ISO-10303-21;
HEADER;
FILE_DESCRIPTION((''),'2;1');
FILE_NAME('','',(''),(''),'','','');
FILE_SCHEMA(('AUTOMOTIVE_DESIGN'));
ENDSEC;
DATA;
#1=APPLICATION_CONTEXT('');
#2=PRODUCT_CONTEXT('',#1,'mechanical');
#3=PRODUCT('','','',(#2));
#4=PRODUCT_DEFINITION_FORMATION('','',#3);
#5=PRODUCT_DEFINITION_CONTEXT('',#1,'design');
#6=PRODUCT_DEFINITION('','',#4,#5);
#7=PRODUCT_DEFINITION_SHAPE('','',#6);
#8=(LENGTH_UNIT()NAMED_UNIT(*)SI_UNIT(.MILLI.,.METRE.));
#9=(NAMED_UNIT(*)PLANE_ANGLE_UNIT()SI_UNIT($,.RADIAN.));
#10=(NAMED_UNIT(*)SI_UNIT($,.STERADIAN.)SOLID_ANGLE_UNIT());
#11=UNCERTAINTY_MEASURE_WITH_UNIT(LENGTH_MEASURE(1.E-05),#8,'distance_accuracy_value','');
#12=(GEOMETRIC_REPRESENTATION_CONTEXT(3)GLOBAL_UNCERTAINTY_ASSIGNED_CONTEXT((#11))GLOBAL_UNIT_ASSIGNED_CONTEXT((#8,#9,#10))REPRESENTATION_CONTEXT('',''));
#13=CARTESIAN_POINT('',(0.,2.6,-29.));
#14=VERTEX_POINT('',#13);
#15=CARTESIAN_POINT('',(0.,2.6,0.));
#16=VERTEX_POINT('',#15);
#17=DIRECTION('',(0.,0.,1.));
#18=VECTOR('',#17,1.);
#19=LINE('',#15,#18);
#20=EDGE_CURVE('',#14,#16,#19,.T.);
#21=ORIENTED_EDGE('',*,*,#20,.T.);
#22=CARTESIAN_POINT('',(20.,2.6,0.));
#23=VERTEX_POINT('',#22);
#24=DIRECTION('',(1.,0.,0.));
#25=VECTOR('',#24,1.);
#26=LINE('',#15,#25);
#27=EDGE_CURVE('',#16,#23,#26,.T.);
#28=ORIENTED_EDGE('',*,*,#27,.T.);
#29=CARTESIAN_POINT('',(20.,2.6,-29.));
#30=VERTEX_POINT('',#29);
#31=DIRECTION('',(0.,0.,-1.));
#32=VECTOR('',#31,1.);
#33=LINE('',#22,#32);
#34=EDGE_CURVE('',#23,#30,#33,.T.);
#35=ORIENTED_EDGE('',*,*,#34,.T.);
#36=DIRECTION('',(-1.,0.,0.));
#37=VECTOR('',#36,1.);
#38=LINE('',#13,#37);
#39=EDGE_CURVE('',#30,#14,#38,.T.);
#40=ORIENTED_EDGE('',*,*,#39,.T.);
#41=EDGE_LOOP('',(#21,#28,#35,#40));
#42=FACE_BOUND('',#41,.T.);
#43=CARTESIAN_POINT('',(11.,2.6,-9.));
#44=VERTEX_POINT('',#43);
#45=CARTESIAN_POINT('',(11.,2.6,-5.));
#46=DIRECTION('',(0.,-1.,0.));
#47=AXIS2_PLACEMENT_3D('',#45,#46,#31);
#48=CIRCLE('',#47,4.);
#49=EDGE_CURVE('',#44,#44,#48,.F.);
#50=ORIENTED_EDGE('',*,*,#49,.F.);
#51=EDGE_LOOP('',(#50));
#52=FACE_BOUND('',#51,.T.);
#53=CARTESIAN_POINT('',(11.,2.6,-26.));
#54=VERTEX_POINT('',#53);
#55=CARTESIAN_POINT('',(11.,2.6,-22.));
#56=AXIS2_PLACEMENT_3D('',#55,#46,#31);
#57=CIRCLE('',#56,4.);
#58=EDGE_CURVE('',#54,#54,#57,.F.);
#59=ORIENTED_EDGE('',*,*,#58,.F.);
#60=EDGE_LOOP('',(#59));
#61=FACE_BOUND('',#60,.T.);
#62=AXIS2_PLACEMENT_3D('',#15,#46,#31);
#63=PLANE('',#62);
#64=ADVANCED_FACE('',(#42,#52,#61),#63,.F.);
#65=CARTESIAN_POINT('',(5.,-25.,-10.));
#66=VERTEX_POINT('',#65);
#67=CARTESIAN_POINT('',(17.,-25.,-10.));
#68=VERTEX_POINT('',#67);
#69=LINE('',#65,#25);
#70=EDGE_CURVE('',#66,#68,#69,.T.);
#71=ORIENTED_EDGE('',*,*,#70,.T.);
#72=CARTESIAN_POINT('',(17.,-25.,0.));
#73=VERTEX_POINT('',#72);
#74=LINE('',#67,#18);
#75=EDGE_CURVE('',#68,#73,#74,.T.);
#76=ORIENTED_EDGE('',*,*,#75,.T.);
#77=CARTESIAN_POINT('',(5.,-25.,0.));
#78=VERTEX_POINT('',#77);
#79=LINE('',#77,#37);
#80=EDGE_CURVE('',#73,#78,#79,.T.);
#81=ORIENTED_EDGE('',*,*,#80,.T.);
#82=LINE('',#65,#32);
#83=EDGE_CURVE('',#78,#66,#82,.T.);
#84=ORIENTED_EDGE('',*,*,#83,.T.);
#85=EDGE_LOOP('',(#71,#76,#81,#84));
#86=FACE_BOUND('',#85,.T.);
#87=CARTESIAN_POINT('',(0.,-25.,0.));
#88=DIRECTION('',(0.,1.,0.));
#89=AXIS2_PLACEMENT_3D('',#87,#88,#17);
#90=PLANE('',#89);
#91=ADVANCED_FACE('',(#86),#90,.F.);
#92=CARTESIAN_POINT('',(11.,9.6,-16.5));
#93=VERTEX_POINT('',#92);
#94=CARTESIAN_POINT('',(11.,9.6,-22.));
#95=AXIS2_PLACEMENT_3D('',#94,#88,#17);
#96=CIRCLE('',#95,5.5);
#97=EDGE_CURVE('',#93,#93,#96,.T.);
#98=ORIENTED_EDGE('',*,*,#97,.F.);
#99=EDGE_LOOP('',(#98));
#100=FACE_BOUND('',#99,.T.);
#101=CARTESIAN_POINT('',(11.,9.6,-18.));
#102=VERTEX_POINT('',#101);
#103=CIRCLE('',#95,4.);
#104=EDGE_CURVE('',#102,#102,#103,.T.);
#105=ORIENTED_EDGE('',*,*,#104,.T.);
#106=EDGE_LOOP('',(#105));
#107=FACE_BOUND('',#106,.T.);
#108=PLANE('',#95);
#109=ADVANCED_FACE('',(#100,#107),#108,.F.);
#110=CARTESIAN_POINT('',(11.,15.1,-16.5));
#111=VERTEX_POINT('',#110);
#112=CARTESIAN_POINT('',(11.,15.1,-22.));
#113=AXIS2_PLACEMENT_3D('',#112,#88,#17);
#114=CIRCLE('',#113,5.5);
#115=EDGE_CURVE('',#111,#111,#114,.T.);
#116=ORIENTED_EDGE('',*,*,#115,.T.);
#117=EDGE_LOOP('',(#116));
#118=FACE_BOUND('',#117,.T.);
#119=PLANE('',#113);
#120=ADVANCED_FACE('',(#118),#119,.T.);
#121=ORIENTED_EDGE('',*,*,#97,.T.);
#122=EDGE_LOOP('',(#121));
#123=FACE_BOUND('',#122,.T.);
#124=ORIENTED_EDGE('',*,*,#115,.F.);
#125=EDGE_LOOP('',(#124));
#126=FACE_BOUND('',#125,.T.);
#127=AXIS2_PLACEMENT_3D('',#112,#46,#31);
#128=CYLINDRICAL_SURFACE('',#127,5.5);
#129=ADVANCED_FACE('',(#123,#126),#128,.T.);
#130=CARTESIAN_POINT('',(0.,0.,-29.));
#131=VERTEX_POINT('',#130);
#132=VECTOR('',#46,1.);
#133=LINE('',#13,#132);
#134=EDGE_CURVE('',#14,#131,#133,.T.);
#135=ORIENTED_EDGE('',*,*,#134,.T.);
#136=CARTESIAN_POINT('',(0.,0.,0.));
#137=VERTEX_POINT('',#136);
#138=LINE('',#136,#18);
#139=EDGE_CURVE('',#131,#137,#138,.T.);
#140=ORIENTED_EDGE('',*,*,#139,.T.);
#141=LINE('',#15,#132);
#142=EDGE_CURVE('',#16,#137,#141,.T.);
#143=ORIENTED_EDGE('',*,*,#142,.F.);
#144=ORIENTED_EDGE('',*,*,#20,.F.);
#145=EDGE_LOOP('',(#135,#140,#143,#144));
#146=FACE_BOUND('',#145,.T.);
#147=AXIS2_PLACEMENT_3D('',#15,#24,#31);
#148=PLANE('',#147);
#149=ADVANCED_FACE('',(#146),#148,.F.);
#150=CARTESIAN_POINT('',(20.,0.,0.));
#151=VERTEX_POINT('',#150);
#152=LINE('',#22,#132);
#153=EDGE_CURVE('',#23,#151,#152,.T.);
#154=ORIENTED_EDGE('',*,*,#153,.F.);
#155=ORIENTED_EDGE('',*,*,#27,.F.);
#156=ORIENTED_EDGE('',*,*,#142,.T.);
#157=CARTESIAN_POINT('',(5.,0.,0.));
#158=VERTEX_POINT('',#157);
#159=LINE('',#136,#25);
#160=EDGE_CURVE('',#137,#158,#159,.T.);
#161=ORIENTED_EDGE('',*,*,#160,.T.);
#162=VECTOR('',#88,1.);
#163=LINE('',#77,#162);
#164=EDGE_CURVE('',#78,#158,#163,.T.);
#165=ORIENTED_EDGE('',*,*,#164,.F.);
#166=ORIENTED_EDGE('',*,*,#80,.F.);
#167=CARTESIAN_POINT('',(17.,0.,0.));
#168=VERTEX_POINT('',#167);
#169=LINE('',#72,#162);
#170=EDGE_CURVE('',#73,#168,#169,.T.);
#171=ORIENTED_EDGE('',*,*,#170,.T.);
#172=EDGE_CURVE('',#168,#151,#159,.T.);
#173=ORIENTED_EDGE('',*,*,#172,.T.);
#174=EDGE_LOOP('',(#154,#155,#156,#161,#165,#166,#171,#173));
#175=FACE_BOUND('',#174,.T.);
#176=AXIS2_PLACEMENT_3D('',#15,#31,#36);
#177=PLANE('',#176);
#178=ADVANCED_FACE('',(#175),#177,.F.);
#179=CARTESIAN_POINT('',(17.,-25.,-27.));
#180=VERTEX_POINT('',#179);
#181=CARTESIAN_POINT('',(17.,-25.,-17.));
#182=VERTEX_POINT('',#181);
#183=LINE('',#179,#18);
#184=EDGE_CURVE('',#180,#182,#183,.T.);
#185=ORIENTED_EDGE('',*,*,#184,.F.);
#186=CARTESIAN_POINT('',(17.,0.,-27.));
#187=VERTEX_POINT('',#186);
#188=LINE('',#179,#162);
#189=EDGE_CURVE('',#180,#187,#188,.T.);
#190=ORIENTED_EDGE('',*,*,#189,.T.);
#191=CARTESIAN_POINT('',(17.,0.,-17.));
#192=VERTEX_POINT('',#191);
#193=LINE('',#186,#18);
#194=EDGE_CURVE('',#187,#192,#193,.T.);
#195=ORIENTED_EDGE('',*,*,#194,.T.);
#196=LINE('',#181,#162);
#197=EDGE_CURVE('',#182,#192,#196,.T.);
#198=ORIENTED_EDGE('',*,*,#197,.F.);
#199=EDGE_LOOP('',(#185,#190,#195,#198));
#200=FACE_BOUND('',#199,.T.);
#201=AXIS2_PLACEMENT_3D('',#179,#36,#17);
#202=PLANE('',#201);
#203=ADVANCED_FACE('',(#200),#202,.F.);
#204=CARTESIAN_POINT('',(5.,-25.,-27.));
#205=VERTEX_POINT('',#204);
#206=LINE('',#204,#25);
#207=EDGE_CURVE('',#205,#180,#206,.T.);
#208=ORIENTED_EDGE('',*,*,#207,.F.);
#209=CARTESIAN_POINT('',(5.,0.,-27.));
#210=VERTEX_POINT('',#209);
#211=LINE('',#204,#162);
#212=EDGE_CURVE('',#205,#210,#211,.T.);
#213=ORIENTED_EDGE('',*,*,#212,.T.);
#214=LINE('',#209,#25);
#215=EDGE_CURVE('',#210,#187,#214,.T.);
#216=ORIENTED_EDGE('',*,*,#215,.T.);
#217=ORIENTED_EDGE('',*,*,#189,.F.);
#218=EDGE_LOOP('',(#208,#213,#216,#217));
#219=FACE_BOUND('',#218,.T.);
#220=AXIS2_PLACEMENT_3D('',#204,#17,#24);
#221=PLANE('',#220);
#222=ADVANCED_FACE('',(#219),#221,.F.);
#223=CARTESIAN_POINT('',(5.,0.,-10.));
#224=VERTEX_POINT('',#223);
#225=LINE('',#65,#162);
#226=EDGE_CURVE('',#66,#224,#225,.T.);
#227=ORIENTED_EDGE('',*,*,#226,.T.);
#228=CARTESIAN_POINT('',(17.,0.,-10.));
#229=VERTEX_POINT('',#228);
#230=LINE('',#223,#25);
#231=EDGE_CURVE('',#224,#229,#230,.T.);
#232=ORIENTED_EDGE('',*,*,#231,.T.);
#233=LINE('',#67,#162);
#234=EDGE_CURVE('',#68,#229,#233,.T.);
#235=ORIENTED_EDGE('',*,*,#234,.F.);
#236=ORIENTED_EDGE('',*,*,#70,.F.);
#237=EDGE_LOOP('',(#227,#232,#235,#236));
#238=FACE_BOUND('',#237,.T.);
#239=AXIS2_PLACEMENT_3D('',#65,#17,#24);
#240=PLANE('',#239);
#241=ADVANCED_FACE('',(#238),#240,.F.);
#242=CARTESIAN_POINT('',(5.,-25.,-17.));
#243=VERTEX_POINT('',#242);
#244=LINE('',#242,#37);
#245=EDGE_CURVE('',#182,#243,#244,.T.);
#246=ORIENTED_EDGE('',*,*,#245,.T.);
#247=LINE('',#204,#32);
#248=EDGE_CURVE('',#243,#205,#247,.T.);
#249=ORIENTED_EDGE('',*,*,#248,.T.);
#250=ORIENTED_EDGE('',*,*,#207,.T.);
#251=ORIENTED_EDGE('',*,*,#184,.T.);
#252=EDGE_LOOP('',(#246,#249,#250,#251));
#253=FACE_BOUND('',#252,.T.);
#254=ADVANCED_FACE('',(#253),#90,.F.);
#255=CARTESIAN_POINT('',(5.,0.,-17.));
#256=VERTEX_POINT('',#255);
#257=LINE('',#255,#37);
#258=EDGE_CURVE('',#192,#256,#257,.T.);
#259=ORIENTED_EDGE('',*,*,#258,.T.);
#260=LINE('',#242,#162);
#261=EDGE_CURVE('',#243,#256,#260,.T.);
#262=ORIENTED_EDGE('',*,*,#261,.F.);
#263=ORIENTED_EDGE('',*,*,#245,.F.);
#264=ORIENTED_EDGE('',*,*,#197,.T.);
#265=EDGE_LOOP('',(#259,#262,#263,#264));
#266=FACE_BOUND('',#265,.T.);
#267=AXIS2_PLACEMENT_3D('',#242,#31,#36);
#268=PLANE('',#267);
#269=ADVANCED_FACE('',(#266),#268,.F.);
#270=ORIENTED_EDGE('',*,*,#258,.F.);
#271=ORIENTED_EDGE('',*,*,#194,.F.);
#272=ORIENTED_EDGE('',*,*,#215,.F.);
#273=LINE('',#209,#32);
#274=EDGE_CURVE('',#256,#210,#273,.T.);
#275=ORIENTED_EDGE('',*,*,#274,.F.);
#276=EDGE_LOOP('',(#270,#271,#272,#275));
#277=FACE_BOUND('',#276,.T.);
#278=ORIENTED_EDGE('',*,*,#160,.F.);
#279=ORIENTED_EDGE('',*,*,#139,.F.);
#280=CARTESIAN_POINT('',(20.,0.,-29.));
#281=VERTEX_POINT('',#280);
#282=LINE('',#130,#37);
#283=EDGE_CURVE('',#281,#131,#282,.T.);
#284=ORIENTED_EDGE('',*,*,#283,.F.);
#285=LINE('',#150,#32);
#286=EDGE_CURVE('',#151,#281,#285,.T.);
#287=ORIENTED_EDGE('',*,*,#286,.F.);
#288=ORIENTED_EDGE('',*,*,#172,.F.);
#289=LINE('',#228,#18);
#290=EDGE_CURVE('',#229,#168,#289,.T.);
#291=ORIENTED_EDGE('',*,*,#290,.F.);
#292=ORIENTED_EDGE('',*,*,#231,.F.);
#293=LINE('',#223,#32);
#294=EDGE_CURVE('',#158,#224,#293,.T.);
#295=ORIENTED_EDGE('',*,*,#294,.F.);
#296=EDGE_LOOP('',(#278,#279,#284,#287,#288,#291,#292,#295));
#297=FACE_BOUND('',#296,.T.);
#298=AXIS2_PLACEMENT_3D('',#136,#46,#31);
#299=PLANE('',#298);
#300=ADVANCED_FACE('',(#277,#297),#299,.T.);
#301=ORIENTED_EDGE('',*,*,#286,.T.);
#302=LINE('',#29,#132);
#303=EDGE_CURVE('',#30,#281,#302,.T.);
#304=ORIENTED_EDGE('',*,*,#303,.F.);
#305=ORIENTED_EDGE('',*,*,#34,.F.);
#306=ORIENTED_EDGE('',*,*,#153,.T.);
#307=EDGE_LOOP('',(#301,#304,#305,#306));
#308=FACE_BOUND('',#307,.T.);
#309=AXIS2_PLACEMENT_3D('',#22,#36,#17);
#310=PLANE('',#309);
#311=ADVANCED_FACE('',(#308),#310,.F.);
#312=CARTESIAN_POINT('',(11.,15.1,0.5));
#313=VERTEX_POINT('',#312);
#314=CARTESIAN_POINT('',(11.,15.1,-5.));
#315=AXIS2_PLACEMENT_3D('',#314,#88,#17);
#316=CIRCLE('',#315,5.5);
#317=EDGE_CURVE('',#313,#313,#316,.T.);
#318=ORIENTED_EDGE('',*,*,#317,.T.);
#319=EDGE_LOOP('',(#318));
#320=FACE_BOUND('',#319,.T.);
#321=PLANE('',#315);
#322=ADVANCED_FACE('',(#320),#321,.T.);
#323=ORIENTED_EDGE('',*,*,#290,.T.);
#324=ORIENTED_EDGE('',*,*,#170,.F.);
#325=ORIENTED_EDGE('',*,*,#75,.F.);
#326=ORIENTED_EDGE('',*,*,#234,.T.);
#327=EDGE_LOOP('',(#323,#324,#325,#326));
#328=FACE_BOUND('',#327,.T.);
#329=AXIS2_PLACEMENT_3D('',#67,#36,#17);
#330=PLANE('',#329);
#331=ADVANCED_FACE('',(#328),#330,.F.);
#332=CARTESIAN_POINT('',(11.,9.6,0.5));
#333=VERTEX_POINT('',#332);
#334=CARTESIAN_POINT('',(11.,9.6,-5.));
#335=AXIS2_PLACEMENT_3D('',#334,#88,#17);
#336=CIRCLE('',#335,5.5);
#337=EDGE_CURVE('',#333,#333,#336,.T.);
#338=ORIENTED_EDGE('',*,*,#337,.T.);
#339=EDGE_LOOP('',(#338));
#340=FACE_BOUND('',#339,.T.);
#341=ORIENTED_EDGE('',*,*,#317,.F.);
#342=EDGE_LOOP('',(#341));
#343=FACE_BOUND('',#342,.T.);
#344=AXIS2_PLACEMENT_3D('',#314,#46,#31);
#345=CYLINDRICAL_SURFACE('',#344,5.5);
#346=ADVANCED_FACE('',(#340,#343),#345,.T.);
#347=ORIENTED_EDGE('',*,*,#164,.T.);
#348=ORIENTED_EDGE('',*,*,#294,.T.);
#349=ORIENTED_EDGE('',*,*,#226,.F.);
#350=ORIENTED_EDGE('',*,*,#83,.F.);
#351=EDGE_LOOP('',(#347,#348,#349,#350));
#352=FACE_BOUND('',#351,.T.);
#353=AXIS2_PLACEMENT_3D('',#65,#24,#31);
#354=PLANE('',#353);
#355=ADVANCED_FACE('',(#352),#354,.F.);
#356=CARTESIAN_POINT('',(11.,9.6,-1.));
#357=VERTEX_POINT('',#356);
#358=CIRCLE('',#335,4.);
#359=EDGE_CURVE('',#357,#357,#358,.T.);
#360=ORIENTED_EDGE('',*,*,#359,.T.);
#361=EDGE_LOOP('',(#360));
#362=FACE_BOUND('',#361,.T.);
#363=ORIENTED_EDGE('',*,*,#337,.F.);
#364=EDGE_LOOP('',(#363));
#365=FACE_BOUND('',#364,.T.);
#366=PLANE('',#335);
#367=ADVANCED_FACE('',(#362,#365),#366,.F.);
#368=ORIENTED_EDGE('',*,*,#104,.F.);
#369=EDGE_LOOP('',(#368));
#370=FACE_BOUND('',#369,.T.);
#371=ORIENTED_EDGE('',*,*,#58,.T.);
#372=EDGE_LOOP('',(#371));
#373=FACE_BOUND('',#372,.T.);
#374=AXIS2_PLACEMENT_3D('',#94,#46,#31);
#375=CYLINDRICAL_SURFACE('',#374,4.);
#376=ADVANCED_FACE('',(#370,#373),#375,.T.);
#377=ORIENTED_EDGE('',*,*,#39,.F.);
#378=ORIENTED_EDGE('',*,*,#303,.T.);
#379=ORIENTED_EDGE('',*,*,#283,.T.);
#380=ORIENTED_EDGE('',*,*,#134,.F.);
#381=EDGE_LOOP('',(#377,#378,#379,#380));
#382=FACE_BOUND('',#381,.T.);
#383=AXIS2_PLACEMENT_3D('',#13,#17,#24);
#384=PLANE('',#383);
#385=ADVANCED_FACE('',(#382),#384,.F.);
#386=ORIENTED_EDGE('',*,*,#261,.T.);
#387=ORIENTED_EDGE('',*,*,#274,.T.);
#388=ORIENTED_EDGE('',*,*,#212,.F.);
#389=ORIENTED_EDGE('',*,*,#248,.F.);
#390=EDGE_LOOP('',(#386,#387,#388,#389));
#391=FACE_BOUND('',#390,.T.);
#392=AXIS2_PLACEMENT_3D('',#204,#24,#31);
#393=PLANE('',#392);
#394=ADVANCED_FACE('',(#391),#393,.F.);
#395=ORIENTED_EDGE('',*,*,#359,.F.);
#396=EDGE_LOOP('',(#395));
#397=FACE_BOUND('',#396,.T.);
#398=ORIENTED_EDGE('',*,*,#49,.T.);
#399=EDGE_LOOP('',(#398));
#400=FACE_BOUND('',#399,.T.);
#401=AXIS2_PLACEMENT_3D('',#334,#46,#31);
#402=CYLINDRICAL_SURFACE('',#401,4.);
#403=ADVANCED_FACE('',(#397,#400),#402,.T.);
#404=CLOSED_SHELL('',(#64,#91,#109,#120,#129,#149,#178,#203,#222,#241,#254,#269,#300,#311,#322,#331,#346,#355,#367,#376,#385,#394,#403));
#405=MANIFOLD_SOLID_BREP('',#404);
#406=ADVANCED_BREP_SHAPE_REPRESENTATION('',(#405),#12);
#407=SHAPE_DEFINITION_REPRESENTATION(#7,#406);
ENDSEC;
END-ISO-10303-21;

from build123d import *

# Parameters (mm, degrees)
SKICA1_W                = 20
SKICA1_H                = 29
P_IDAT_VYSUNUT_M1_DEPTH = 2.6
SKICA2_R                = 4
P_IDAT_VYSUNUT_M2_DEPTH = 7
SKICA3_R                = 5.5
P_IDAT_VYSUNUT_M3_DEPTH = 5.5
SKICA5_W                = 12
SKICA5_H                = 10
P_IDAT_VYSUNUT_M4_DEPTH = 25


with BuildPart() as part:
    # Skica1 → Přidat vysunutím1 (new body)
    with BuildSketch(Plane(origin=(0, 0, 0), x_dir=(1, 0, 0), z_dir=(0, 1, 0))):
        with Locations((10, 14.5)):
            Rectangle(SKICA1_W, SKICA1_H)
    extrude(amount=P_IDAT_VYSUNUT_M1_DEPTH)

    # Skica2 → Přidat vysunutím2 (add)
    with BuildSketch(Plane(origin=(0, 2.6, 0), x_dir=(1, 0, 0), z_dir=(0, 1, 0))):
        with Locations((11, 5)):
            Circle(SKICA2_R)
        with Locations((11, 22)):
            Circle(SKICA2_R)
    extrude(amount=P_IDAT_VYSUNUT_M2_DEPTH)

    # Skica3 → Přidat vysunutím3 (add)
    with BuildSketch(Plane(origin=(0, 9.6, 0), x_dir=(1, 0, 0), z_dir=(0, 1, 0))):
        with Locations((11, 22)):
            Circle(SKICA3_R)
        with Locations((11, 5)):
            Circle(SKICA3_R)
    extrude(amount=P_IDAT_VYSUNUT_M3_DEPTH)

    # Skica5 → Přidat vysunutím4 (add)
    with BuildSketch(Plane.XZ):
        with Locations((11, -22)):
            Rectangle(SKICA5_W, SKICA5_H)
        with Locations((11, -5)):
            Rectangle(SKICA5_W, SKICA5_H)
    extrude(amount=P_IDAT_VYSUNUT_M4_DEPTH)


solid = part.part
